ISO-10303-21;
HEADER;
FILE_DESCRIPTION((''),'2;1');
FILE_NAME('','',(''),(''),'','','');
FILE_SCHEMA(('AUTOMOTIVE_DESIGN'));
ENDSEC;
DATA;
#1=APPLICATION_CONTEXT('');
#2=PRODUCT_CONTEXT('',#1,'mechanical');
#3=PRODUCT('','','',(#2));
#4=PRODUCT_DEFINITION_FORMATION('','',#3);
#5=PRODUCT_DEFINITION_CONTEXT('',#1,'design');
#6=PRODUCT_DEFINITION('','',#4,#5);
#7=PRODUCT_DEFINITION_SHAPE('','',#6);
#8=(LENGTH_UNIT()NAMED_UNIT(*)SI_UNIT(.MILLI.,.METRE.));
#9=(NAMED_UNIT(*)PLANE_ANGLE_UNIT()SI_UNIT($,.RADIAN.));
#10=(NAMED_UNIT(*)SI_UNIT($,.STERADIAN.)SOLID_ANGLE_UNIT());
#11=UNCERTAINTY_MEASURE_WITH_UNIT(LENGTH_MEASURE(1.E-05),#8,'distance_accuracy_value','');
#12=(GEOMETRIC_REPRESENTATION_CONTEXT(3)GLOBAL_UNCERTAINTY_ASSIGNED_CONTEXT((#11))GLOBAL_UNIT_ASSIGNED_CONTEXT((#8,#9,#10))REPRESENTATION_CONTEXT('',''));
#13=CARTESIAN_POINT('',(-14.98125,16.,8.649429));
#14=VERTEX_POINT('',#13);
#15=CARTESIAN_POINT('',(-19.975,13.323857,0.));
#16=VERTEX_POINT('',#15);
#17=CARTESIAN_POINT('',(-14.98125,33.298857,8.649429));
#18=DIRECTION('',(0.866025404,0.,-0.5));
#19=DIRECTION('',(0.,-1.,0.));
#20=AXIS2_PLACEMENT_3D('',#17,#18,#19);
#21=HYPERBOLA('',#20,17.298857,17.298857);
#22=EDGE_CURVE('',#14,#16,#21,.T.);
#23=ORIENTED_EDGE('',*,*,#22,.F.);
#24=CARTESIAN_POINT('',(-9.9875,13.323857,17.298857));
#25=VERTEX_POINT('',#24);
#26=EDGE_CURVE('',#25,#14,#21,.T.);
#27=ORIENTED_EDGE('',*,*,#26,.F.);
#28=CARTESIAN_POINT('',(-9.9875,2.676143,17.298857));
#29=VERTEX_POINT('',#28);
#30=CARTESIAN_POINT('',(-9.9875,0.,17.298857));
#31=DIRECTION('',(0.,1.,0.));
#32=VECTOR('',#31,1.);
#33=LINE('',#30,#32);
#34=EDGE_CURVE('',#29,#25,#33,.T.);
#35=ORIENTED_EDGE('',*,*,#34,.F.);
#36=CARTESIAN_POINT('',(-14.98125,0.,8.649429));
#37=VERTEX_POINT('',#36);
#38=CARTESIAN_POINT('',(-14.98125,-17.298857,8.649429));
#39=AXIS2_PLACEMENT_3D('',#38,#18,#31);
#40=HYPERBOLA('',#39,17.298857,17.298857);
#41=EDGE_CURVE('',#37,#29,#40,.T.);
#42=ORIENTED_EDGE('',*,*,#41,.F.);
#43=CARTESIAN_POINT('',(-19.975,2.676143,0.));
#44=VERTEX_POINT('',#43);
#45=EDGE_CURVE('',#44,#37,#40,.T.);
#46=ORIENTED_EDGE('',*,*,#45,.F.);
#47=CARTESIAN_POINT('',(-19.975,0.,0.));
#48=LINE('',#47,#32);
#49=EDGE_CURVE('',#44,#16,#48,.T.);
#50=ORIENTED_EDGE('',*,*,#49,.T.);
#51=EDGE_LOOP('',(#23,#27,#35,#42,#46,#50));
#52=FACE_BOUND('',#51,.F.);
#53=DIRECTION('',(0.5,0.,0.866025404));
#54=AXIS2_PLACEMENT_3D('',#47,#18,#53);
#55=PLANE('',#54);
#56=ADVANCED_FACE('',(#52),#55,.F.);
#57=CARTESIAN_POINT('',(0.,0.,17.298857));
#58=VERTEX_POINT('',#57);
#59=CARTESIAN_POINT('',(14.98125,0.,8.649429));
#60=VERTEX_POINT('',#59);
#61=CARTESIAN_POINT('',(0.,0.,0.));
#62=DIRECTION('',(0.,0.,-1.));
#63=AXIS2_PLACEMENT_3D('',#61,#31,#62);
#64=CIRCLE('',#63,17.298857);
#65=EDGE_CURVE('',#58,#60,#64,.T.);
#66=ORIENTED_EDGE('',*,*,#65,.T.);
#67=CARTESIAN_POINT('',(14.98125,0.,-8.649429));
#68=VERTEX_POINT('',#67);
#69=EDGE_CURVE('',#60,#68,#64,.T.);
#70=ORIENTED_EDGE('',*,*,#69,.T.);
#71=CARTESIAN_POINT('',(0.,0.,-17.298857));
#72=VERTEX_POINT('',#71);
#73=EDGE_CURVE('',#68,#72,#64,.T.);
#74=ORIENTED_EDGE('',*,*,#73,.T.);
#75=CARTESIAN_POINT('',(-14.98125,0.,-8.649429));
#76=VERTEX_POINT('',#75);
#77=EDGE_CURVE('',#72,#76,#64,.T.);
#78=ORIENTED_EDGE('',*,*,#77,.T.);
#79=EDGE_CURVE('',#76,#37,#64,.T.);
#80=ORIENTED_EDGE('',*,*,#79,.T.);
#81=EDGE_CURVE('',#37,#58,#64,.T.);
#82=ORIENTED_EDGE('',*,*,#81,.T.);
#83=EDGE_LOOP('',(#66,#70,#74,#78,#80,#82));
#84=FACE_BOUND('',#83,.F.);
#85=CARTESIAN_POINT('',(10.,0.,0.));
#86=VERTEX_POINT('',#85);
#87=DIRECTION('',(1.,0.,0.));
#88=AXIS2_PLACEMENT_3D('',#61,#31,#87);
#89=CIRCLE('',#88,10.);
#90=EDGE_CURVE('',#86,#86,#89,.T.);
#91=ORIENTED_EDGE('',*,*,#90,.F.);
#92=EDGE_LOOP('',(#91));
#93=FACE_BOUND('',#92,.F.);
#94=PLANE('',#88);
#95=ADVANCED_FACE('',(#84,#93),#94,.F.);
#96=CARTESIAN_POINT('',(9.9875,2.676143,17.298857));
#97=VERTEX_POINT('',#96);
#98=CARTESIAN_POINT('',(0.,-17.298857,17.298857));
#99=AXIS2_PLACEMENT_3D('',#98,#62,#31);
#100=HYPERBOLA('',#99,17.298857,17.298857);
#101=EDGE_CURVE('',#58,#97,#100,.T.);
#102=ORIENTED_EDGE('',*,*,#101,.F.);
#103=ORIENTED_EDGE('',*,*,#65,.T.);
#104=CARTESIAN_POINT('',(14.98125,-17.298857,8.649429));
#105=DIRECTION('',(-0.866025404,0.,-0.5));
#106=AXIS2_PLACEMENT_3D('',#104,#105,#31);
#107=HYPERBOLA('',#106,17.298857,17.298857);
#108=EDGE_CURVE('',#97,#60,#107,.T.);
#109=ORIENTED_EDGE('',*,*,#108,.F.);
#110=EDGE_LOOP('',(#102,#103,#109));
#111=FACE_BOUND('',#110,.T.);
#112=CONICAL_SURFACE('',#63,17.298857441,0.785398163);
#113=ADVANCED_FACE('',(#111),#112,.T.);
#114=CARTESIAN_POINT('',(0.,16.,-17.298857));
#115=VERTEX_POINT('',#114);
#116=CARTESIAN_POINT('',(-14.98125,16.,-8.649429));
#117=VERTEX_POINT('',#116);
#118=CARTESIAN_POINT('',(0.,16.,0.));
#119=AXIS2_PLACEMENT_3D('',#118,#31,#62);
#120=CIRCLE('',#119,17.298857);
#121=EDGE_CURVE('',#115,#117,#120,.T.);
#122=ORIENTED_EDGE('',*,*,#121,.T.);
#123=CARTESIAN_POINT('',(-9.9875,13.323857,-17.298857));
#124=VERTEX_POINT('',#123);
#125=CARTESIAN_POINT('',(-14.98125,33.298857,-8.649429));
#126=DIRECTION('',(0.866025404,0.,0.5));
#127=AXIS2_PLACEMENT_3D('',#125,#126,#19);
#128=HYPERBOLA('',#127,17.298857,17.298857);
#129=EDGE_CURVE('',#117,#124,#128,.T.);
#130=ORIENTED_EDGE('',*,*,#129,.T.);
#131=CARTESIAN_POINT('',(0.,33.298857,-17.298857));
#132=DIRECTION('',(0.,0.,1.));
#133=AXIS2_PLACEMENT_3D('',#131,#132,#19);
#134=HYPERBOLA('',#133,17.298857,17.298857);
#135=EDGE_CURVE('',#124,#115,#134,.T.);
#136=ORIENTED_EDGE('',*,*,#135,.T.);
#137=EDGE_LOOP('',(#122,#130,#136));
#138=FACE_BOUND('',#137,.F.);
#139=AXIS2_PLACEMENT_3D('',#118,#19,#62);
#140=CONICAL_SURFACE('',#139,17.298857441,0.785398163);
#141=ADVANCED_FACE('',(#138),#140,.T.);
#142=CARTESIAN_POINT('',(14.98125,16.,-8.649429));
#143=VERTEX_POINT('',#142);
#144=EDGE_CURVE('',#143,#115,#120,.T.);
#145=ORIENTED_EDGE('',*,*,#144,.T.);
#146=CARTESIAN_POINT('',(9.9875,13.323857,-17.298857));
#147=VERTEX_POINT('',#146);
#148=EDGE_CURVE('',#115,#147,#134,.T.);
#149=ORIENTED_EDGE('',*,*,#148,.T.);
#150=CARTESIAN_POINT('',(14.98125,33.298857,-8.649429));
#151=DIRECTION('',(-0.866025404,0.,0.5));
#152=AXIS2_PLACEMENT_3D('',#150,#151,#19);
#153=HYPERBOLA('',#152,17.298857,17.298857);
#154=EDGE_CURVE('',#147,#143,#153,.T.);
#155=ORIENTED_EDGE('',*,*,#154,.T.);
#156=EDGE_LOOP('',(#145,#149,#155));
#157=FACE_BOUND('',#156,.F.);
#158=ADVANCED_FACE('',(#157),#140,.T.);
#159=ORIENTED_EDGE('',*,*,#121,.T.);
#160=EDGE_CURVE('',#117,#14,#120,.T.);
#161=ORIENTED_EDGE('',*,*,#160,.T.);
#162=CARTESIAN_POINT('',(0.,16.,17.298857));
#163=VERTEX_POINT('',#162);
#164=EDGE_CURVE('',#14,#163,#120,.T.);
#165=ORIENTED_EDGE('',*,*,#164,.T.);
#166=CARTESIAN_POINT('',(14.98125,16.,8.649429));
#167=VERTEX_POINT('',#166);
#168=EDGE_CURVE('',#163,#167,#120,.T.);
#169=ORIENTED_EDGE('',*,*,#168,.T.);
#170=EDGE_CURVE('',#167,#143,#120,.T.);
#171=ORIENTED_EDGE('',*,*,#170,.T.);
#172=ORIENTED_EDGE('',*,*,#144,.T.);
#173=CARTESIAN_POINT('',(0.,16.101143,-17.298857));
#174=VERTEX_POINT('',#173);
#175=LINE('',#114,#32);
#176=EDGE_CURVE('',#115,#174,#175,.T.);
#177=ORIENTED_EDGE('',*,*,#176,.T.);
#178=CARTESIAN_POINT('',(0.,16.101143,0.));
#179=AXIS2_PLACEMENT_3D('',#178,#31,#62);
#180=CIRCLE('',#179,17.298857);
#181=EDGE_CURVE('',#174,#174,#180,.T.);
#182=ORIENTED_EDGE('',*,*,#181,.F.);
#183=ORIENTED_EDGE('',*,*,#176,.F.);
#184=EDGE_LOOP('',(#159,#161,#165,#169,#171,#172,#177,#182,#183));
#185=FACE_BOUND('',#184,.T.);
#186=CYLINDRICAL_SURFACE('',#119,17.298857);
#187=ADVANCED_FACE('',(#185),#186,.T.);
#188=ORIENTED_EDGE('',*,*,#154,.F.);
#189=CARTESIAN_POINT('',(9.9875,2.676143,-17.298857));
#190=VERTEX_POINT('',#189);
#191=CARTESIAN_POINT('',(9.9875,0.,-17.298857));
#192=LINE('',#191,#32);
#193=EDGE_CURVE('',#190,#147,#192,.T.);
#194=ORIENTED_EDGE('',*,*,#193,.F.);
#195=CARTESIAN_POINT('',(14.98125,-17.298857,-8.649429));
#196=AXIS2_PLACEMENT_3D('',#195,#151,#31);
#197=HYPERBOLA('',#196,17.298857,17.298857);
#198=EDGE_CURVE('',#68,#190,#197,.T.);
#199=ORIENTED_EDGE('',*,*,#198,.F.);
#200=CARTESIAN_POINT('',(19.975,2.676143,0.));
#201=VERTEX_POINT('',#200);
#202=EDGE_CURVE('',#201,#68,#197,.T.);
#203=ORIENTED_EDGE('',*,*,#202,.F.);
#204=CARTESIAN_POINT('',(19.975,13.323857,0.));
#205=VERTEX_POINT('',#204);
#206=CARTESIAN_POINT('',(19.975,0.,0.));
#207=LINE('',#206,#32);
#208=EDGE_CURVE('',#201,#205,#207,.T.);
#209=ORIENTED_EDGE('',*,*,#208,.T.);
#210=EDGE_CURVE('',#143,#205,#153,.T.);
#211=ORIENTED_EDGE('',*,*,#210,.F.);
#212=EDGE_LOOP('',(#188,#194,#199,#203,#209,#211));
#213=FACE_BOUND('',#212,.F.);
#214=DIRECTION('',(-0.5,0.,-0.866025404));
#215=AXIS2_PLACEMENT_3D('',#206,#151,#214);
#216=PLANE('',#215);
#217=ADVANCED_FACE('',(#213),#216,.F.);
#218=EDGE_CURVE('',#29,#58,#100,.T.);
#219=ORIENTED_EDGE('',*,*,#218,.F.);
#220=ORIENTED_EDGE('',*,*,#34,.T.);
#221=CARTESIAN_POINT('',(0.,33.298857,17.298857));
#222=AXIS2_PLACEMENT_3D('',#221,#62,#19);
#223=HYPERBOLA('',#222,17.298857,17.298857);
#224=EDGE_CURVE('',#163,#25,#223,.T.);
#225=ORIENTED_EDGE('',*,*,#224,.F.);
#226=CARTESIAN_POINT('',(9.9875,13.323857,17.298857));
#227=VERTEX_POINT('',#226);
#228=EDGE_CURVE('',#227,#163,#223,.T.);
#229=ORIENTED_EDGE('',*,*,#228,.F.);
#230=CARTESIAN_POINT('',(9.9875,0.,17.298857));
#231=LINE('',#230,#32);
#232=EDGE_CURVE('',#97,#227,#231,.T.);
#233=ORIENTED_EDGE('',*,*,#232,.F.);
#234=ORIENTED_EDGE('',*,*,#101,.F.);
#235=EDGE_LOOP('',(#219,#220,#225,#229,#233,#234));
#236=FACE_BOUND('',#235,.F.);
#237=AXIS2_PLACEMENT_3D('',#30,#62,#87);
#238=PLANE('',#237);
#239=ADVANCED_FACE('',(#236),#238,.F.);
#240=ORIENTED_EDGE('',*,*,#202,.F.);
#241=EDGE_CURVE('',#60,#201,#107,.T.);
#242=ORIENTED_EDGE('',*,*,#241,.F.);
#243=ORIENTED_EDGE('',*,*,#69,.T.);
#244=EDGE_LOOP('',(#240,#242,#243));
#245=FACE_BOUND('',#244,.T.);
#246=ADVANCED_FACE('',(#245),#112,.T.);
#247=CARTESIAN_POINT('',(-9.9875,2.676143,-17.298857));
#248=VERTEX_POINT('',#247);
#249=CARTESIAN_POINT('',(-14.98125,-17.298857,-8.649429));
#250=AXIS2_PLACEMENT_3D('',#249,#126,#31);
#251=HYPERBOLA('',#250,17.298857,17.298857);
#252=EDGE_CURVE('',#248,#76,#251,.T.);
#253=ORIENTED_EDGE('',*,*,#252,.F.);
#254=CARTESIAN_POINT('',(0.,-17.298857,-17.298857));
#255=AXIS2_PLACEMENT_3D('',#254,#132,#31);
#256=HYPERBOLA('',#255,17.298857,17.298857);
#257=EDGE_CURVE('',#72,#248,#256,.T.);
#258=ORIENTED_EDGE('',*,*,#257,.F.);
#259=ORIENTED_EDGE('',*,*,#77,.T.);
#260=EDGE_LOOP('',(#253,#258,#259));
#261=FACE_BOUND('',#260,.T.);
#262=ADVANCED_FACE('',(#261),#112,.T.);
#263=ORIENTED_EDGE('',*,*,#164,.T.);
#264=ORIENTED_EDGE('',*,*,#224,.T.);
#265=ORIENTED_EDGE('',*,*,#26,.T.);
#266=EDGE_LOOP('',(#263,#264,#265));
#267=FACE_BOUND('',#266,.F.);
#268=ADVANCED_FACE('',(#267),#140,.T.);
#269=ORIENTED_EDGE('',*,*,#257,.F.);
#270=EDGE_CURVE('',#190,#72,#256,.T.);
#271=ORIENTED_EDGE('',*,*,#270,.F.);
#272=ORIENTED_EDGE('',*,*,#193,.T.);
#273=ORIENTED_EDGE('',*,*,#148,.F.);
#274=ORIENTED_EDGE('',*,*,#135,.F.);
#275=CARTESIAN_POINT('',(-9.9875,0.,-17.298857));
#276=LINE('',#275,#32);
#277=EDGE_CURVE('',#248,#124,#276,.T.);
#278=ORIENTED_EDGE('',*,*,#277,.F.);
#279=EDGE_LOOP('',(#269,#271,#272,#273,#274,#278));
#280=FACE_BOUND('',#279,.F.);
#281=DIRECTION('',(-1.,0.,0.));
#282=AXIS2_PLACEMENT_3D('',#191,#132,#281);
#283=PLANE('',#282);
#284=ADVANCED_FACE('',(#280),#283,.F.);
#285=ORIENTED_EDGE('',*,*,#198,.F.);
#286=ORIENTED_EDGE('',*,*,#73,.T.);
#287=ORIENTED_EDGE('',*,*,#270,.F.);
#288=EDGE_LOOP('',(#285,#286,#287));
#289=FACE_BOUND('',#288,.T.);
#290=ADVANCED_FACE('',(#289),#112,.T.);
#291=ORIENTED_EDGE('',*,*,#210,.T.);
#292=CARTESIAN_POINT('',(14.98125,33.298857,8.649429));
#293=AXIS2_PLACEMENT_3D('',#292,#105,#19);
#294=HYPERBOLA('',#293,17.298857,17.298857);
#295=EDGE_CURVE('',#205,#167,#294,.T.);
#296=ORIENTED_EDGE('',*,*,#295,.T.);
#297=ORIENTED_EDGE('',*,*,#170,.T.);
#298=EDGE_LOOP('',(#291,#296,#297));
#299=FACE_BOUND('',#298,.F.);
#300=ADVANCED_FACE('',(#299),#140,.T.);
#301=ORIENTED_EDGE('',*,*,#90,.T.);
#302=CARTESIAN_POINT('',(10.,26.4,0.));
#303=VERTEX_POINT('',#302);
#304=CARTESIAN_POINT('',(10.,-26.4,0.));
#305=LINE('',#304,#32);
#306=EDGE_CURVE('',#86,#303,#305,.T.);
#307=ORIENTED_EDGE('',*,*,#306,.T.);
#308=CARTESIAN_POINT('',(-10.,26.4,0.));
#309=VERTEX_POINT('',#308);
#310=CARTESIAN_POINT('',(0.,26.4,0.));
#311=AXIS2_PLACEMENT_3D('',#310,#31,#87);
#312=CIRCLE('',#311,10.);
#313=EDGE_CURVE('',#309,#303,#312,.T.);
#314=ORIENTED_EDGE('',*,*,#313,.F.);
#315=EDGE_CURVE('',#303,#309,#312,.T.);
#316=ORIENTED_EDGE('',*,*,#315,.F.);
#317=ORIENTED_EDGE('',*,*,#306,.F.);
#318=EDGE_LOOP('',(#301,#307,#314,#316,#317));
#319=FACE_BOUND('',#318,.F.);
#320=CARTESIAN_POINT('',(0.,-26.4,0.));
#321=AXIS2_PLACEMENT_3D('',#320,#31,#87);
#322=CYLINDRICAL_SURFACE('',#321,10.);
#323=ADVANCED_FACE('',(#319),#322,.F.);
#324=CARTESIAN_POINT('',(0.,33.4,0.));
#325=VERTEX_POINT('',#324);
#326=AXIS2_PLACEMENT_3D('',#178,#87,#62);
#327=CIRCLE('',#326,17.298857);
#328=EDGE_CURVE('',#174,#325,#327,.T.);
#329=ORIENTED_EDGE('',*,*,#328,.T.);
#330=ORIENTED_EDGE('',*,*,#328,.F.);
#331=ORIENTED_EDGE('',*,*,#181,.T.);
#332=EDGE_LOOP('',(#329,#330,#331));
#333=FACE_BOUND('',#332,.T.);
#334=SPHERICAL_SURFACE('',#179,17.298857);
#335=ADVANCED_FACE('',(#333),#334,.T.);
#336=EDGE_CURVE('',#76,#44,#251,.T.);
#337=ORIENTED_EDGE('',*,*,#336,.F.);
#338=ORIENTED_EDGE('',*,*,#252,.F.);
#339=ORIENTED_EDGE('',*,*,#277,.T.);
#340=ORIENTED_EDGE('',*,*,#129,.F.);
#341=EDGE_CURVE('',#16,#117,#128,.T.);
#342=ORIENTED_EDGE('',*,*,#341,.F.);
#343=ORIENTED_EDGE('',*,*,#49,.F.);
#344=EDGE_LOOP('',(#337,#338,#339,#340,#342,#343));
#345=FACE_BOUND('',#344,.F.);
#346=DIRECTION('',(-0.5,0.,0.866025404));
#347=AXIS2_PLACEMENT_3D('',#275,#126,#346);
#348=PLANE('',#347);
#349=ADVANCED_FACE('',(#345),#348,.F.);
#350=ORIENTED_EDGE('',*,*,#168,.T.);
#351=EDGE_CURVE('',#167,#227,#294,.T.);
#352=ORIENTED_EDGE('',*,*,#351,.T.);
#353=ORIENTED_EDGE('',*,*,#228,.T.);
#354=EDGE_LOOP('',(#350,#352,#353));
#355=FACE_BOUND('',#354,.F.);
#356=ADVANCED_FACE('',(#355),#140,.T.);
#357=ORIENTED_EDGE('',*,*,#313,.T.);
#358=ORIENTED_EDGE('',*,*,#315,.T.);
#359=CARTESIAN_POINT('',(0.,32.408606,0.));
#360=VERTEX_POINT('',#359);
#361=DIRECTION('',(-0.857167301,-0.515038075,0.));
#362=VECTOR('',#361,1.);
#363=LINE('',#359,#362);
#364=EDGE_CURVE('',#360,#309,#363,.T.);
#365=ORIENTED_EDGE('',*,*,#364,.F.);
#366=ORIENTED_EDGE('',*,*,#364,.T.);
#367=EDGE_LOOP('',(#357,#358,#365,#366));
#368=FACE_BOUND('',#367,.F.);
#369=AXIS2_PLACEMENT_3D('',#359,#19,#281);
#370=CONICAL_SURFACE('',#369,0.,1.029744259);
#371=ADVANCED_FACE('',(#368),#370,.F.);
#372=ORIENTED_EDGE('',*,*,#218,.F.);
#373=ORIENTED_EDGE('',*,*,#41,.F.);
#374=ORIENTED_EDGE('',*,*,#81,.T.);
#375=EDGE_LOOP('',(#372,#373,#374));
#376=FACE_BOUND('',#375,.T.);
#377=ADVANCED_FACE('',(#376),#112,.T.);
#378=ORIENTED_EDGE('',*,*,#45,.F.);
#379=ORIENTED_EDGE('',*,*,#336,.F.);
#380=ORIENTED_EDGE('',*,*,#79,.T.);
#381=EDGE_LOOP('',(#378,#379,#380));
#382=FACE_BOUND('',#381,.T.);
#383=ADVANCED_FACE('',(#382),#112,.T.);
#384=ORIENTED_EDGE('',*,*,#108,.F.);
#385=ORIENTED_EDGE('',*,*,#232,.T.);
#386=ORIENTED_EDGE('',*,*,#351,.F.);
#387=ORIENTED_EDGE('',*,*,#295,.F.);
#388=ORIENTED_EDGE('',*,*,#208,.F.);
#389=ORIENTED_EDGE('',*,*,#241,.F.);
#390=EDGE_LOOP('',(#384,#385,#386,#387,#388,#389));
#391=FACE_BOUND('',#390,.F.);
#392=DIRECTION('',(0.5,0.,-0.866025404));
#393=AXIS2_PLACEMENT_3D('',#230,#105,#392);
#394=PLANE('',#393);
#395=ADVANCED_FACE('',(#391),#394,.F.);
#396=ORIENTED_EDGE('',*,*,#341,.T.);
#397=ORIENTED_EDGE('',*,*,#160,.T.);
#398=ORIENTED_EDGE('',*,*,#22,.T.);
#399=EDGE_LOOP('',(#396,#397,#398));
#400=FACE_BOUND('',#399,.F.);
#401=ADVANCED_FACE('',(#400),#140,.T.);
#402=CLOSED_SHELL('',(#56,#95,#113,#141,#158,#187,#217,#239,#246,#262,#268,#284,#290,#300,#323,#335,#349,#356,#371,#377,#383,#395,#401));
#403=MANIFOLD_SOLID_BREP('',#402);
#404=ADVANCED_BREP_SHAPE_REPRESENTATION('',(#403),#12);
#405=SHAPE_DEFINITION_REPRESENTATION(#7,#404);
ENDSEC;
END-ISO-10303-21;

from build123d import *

# Parameters (mm, degrees)
BOSS_EXTRUDE1_DEPTH       = 16
F_1_0MM_DOWEL_HOLE1_D     = 20
F_1_0MM_DOWEL_HOLE1_DEPTH = 26.4
F_1_0MM_DOWEL_HOLE1_TIP   = 6.00860619


with BuildPart() as part:
    # Sketch1 → Boss-Extrude1 (new body)
    with BuildSketch(Plane(origin=(0, 0, 0), x_dir=(1, 0, 0), z_dir=(0, 1, 0))):
        Polygon((19.975, 0), (9.9875, 17.298857441), (-9.9875, 17.298857441), (-19.975, 0), (-9.9875, -17.298857441), (9.9875, -17.298857441), align=None)
    extrude(amount=BOSS_EXTRUDE1_DEPTH)

    # Sketch2 → Revolve1 (revolve)
    with BuildSketch(Plane.ZY):
        with BuildLine():
            Line((-17.298857441, 16), (-17.298857441, 16.101142559))
            ThreePointArc((-17.298857441, 16.101142559), (-12.232139403, 28.333281962), (0, 33.4))
            Line((0, 33.4), (0, 16))
            Line((0, 16), (-17.298857441, 16))
        make_face()
    revolve(axis=Axis((0, 16, 0), (0, 1, 0)))

    # Ø1.0mm Dowel Hole1
    with Locations(Plane(origin=(0, 0, 0), x_dir=(-1, 0, 0), z_dir=(0, -1, 0))):
        with Locations((0, 0)):
            Hole(F_1_0MM_DOWEL_HOLE1_D / 2, depth=F_1_0MM_DOWEL_HOLE1_DEPTH)
            with Locations((0, 0, -(F_1_0MM_DOWEL_HOLE1_DEPTH + F_1_0MM_DOWEL_HOLE1_TIP / 2))):  # 118° drill point
                Cone(0, F_1_0MM_DOWEL_HOLE1_D / 2, F_1_0MM_DOWEL_HOLE1_TIP, mode=Mode.SUBTRACT)

    # Sketch6 → Cut-Revolve1 (revolve, cut)
    with BuildSketch(Plane.XY, mode=Mode.PRIVATE) as cut_revolve1_sk:
        Polygon((17.298857441, 16), (19.975, 13.323857441), (19.975, 16), align=None)
        Polygon((19.975, 2.676142559), (19.975, 0), (17.298857441, 0), align=None)
    revolve(cut_revolve1_sk.sketch.rotate(Axis((0, 16, 0), (0, 1, 0)), 90), axis=Axis((0, 16, 0), (0, 1, 0)), mode=Mode.SUBTRACT)


solid = part.part
